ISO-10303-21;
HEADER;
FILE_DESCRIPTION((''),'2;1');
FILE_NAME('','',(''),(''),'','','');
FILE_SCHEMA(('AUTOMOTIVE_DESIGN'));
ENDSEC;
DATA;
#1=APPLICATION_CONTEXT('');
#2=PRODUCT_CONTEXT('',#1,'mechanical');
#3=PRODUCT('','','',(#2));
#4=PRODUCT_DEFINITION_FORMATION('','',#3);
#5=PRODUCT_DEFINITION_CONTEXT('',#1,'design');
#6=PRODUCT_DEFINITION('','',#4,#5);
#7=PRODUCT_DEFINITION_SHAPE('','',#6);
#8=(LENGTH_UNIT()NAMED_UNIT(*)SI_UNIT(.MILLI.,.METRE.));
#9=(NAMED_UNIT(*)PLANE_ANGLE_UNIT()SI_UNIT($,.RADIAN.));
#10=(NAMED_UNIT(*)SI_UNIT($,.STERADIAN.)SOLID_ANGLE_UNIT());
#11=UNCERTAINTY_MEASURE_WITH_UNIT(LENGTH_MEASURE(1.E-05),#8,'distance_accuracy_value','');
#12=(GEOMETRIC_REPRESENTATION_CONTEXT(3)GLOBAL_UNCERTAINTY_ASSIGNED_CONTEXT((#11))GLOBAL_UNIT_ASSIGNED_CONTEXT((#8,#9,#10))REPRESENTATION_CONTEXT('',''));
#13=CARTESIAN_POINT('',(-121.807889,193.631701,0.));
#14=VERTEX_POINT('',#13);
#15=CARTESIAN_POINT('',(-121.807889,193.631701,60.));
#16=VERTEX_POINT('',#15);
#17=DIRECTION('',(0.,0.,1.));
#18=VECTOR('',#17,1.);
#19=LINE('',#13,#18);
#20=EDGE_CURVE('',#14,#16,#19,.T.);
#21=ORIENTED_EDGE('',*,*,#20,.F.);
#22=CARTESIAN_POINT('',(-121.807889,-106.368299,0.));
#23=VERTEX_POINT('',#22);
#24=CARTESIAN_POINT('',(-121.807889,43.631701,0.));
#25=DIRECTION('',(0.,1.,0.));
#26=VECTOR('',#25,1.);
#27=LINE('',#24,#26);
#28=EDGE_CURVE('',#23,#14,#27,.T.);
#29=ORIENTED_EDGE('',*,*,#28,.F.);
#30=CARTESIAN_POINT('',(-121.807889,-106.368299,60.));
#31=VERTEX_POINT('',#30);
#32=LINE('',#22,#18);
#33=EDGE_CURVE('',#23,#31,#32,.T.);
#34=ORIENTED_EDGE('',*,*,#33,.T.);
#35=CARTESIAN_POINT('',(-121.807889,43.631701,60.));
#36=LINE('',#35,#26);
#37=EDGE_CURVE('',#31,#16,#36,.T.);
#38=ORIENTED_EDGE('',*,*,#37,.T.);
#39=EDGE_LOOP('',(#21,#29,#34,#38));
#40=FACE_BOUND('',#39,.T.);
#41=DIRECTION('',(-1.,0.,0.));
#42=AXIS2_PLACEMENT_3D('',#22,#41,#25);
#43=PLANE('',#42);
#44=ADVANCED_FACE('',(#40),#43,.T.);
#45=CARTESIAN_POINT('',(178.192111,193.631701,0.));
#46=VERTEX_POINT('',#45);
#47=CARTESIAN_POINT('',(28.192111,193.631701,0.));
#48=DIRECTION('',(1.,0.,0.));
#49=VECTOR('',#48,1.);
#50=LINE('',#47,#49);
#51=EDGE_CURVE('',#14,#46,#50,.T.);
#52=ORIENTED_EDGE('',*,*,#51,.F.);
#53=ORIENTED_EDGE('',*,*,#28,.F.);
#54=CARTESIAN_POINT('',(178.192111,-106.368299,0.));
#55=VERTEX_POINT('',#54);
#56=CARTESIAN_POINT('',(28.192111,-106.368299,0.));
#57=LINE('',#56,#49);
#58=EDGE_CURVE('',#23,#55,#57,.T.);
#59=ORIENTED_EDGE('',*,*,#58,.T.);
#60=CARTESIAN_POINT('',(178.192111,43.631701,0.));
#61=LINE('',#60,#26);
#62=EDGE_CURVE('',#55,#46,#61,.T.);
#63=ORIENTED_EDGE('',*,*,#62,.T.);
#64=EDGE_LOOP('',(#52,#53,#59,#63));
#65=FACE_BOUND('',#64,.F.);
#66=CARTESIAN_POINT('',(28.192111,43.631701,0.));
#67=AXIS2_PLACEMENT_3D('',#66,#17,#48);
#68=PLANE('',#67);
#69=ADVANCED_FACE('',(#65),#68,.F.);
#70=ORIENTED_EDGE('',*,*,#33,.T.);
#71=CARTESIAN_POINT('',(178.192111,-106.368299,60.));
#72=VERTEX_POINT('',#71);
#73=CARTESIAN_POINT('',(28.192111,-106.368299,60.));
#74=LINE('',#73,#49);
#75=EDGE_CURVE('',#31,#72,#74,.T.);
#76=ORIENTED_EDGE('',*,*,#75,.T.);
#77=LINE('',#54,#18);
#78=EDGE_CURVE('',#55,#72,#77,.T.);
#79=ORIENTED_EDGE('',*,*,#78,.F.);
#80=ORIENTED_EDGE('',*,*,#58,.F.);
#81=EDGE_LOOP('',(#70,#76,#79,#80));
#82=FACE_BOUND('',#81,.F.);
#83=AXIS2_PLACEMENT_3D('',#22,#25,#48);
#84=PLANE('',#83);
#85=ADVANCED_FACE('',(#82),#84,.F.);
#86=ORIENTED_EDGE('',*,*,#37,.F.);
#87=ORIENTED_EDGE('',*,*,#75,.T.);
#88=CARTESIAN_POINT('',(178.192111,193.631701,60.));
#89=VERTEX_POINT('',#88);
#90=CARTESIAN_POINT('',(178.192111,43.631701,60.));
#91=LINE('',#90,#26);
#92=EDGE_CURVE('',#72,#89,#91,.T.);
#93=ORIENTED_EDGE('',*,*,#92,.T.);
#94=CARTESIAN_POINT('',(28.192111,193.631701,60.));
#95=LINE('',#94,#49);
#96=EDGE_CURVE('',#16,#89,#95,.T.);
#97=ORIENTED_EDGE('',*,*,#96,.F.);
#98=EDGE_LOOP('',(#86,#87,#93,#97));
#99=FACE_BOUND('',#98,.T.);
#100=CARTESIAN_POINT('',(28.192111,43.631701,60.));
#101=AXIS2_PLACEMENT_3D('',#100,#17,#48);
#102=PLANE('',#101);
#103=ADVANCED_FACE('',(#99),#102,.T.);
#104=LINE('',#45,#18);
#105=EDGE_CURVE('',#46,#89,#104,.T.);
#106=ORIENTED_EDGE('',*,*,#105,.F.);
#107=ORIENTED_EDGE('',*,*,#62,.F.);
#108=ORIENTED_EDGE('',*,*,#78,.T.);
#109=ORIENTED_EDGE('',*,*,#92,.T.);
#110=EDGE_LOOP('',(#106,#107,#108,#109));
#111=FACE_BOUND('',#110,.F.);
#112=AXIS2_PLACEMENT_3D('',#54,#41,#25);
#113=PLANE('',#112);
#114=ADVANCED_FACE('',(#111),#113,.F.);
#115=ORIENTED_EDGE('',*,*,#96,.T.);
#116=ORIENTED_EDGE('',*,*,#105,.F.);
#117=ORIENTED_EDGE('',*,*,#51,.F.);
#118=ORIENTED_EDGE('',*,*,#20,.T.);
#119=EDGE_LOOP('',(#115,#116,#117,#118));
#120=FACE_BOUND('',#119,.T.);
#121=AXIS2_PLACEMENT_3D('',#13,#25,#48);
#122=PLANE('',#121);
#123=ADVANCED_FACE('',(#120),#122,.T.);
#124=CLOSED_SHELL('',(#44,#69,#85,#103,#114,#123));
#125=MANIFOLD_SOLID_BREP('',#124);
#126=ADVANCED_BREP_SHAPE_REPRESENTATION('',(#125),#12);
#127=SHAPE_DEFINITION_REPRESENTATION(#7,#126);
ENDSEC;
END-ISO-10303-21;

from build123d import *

# Parameters (mm, degrees)
SKETCH_W      = 300
SKETCH_H      = 300
EXTRUDE_DEPTH = 60


with BuildPart() as part:
    # Sketch → Extrude (new body)
    with BuildSketch(Plane.XY):
        with Locations((28.192111, 43.631701)):
            Rectangle(SKETCH_W, SKETCH_H)
    extrude(amount=EXTRUDE_DEPTH)


solid = part.part
